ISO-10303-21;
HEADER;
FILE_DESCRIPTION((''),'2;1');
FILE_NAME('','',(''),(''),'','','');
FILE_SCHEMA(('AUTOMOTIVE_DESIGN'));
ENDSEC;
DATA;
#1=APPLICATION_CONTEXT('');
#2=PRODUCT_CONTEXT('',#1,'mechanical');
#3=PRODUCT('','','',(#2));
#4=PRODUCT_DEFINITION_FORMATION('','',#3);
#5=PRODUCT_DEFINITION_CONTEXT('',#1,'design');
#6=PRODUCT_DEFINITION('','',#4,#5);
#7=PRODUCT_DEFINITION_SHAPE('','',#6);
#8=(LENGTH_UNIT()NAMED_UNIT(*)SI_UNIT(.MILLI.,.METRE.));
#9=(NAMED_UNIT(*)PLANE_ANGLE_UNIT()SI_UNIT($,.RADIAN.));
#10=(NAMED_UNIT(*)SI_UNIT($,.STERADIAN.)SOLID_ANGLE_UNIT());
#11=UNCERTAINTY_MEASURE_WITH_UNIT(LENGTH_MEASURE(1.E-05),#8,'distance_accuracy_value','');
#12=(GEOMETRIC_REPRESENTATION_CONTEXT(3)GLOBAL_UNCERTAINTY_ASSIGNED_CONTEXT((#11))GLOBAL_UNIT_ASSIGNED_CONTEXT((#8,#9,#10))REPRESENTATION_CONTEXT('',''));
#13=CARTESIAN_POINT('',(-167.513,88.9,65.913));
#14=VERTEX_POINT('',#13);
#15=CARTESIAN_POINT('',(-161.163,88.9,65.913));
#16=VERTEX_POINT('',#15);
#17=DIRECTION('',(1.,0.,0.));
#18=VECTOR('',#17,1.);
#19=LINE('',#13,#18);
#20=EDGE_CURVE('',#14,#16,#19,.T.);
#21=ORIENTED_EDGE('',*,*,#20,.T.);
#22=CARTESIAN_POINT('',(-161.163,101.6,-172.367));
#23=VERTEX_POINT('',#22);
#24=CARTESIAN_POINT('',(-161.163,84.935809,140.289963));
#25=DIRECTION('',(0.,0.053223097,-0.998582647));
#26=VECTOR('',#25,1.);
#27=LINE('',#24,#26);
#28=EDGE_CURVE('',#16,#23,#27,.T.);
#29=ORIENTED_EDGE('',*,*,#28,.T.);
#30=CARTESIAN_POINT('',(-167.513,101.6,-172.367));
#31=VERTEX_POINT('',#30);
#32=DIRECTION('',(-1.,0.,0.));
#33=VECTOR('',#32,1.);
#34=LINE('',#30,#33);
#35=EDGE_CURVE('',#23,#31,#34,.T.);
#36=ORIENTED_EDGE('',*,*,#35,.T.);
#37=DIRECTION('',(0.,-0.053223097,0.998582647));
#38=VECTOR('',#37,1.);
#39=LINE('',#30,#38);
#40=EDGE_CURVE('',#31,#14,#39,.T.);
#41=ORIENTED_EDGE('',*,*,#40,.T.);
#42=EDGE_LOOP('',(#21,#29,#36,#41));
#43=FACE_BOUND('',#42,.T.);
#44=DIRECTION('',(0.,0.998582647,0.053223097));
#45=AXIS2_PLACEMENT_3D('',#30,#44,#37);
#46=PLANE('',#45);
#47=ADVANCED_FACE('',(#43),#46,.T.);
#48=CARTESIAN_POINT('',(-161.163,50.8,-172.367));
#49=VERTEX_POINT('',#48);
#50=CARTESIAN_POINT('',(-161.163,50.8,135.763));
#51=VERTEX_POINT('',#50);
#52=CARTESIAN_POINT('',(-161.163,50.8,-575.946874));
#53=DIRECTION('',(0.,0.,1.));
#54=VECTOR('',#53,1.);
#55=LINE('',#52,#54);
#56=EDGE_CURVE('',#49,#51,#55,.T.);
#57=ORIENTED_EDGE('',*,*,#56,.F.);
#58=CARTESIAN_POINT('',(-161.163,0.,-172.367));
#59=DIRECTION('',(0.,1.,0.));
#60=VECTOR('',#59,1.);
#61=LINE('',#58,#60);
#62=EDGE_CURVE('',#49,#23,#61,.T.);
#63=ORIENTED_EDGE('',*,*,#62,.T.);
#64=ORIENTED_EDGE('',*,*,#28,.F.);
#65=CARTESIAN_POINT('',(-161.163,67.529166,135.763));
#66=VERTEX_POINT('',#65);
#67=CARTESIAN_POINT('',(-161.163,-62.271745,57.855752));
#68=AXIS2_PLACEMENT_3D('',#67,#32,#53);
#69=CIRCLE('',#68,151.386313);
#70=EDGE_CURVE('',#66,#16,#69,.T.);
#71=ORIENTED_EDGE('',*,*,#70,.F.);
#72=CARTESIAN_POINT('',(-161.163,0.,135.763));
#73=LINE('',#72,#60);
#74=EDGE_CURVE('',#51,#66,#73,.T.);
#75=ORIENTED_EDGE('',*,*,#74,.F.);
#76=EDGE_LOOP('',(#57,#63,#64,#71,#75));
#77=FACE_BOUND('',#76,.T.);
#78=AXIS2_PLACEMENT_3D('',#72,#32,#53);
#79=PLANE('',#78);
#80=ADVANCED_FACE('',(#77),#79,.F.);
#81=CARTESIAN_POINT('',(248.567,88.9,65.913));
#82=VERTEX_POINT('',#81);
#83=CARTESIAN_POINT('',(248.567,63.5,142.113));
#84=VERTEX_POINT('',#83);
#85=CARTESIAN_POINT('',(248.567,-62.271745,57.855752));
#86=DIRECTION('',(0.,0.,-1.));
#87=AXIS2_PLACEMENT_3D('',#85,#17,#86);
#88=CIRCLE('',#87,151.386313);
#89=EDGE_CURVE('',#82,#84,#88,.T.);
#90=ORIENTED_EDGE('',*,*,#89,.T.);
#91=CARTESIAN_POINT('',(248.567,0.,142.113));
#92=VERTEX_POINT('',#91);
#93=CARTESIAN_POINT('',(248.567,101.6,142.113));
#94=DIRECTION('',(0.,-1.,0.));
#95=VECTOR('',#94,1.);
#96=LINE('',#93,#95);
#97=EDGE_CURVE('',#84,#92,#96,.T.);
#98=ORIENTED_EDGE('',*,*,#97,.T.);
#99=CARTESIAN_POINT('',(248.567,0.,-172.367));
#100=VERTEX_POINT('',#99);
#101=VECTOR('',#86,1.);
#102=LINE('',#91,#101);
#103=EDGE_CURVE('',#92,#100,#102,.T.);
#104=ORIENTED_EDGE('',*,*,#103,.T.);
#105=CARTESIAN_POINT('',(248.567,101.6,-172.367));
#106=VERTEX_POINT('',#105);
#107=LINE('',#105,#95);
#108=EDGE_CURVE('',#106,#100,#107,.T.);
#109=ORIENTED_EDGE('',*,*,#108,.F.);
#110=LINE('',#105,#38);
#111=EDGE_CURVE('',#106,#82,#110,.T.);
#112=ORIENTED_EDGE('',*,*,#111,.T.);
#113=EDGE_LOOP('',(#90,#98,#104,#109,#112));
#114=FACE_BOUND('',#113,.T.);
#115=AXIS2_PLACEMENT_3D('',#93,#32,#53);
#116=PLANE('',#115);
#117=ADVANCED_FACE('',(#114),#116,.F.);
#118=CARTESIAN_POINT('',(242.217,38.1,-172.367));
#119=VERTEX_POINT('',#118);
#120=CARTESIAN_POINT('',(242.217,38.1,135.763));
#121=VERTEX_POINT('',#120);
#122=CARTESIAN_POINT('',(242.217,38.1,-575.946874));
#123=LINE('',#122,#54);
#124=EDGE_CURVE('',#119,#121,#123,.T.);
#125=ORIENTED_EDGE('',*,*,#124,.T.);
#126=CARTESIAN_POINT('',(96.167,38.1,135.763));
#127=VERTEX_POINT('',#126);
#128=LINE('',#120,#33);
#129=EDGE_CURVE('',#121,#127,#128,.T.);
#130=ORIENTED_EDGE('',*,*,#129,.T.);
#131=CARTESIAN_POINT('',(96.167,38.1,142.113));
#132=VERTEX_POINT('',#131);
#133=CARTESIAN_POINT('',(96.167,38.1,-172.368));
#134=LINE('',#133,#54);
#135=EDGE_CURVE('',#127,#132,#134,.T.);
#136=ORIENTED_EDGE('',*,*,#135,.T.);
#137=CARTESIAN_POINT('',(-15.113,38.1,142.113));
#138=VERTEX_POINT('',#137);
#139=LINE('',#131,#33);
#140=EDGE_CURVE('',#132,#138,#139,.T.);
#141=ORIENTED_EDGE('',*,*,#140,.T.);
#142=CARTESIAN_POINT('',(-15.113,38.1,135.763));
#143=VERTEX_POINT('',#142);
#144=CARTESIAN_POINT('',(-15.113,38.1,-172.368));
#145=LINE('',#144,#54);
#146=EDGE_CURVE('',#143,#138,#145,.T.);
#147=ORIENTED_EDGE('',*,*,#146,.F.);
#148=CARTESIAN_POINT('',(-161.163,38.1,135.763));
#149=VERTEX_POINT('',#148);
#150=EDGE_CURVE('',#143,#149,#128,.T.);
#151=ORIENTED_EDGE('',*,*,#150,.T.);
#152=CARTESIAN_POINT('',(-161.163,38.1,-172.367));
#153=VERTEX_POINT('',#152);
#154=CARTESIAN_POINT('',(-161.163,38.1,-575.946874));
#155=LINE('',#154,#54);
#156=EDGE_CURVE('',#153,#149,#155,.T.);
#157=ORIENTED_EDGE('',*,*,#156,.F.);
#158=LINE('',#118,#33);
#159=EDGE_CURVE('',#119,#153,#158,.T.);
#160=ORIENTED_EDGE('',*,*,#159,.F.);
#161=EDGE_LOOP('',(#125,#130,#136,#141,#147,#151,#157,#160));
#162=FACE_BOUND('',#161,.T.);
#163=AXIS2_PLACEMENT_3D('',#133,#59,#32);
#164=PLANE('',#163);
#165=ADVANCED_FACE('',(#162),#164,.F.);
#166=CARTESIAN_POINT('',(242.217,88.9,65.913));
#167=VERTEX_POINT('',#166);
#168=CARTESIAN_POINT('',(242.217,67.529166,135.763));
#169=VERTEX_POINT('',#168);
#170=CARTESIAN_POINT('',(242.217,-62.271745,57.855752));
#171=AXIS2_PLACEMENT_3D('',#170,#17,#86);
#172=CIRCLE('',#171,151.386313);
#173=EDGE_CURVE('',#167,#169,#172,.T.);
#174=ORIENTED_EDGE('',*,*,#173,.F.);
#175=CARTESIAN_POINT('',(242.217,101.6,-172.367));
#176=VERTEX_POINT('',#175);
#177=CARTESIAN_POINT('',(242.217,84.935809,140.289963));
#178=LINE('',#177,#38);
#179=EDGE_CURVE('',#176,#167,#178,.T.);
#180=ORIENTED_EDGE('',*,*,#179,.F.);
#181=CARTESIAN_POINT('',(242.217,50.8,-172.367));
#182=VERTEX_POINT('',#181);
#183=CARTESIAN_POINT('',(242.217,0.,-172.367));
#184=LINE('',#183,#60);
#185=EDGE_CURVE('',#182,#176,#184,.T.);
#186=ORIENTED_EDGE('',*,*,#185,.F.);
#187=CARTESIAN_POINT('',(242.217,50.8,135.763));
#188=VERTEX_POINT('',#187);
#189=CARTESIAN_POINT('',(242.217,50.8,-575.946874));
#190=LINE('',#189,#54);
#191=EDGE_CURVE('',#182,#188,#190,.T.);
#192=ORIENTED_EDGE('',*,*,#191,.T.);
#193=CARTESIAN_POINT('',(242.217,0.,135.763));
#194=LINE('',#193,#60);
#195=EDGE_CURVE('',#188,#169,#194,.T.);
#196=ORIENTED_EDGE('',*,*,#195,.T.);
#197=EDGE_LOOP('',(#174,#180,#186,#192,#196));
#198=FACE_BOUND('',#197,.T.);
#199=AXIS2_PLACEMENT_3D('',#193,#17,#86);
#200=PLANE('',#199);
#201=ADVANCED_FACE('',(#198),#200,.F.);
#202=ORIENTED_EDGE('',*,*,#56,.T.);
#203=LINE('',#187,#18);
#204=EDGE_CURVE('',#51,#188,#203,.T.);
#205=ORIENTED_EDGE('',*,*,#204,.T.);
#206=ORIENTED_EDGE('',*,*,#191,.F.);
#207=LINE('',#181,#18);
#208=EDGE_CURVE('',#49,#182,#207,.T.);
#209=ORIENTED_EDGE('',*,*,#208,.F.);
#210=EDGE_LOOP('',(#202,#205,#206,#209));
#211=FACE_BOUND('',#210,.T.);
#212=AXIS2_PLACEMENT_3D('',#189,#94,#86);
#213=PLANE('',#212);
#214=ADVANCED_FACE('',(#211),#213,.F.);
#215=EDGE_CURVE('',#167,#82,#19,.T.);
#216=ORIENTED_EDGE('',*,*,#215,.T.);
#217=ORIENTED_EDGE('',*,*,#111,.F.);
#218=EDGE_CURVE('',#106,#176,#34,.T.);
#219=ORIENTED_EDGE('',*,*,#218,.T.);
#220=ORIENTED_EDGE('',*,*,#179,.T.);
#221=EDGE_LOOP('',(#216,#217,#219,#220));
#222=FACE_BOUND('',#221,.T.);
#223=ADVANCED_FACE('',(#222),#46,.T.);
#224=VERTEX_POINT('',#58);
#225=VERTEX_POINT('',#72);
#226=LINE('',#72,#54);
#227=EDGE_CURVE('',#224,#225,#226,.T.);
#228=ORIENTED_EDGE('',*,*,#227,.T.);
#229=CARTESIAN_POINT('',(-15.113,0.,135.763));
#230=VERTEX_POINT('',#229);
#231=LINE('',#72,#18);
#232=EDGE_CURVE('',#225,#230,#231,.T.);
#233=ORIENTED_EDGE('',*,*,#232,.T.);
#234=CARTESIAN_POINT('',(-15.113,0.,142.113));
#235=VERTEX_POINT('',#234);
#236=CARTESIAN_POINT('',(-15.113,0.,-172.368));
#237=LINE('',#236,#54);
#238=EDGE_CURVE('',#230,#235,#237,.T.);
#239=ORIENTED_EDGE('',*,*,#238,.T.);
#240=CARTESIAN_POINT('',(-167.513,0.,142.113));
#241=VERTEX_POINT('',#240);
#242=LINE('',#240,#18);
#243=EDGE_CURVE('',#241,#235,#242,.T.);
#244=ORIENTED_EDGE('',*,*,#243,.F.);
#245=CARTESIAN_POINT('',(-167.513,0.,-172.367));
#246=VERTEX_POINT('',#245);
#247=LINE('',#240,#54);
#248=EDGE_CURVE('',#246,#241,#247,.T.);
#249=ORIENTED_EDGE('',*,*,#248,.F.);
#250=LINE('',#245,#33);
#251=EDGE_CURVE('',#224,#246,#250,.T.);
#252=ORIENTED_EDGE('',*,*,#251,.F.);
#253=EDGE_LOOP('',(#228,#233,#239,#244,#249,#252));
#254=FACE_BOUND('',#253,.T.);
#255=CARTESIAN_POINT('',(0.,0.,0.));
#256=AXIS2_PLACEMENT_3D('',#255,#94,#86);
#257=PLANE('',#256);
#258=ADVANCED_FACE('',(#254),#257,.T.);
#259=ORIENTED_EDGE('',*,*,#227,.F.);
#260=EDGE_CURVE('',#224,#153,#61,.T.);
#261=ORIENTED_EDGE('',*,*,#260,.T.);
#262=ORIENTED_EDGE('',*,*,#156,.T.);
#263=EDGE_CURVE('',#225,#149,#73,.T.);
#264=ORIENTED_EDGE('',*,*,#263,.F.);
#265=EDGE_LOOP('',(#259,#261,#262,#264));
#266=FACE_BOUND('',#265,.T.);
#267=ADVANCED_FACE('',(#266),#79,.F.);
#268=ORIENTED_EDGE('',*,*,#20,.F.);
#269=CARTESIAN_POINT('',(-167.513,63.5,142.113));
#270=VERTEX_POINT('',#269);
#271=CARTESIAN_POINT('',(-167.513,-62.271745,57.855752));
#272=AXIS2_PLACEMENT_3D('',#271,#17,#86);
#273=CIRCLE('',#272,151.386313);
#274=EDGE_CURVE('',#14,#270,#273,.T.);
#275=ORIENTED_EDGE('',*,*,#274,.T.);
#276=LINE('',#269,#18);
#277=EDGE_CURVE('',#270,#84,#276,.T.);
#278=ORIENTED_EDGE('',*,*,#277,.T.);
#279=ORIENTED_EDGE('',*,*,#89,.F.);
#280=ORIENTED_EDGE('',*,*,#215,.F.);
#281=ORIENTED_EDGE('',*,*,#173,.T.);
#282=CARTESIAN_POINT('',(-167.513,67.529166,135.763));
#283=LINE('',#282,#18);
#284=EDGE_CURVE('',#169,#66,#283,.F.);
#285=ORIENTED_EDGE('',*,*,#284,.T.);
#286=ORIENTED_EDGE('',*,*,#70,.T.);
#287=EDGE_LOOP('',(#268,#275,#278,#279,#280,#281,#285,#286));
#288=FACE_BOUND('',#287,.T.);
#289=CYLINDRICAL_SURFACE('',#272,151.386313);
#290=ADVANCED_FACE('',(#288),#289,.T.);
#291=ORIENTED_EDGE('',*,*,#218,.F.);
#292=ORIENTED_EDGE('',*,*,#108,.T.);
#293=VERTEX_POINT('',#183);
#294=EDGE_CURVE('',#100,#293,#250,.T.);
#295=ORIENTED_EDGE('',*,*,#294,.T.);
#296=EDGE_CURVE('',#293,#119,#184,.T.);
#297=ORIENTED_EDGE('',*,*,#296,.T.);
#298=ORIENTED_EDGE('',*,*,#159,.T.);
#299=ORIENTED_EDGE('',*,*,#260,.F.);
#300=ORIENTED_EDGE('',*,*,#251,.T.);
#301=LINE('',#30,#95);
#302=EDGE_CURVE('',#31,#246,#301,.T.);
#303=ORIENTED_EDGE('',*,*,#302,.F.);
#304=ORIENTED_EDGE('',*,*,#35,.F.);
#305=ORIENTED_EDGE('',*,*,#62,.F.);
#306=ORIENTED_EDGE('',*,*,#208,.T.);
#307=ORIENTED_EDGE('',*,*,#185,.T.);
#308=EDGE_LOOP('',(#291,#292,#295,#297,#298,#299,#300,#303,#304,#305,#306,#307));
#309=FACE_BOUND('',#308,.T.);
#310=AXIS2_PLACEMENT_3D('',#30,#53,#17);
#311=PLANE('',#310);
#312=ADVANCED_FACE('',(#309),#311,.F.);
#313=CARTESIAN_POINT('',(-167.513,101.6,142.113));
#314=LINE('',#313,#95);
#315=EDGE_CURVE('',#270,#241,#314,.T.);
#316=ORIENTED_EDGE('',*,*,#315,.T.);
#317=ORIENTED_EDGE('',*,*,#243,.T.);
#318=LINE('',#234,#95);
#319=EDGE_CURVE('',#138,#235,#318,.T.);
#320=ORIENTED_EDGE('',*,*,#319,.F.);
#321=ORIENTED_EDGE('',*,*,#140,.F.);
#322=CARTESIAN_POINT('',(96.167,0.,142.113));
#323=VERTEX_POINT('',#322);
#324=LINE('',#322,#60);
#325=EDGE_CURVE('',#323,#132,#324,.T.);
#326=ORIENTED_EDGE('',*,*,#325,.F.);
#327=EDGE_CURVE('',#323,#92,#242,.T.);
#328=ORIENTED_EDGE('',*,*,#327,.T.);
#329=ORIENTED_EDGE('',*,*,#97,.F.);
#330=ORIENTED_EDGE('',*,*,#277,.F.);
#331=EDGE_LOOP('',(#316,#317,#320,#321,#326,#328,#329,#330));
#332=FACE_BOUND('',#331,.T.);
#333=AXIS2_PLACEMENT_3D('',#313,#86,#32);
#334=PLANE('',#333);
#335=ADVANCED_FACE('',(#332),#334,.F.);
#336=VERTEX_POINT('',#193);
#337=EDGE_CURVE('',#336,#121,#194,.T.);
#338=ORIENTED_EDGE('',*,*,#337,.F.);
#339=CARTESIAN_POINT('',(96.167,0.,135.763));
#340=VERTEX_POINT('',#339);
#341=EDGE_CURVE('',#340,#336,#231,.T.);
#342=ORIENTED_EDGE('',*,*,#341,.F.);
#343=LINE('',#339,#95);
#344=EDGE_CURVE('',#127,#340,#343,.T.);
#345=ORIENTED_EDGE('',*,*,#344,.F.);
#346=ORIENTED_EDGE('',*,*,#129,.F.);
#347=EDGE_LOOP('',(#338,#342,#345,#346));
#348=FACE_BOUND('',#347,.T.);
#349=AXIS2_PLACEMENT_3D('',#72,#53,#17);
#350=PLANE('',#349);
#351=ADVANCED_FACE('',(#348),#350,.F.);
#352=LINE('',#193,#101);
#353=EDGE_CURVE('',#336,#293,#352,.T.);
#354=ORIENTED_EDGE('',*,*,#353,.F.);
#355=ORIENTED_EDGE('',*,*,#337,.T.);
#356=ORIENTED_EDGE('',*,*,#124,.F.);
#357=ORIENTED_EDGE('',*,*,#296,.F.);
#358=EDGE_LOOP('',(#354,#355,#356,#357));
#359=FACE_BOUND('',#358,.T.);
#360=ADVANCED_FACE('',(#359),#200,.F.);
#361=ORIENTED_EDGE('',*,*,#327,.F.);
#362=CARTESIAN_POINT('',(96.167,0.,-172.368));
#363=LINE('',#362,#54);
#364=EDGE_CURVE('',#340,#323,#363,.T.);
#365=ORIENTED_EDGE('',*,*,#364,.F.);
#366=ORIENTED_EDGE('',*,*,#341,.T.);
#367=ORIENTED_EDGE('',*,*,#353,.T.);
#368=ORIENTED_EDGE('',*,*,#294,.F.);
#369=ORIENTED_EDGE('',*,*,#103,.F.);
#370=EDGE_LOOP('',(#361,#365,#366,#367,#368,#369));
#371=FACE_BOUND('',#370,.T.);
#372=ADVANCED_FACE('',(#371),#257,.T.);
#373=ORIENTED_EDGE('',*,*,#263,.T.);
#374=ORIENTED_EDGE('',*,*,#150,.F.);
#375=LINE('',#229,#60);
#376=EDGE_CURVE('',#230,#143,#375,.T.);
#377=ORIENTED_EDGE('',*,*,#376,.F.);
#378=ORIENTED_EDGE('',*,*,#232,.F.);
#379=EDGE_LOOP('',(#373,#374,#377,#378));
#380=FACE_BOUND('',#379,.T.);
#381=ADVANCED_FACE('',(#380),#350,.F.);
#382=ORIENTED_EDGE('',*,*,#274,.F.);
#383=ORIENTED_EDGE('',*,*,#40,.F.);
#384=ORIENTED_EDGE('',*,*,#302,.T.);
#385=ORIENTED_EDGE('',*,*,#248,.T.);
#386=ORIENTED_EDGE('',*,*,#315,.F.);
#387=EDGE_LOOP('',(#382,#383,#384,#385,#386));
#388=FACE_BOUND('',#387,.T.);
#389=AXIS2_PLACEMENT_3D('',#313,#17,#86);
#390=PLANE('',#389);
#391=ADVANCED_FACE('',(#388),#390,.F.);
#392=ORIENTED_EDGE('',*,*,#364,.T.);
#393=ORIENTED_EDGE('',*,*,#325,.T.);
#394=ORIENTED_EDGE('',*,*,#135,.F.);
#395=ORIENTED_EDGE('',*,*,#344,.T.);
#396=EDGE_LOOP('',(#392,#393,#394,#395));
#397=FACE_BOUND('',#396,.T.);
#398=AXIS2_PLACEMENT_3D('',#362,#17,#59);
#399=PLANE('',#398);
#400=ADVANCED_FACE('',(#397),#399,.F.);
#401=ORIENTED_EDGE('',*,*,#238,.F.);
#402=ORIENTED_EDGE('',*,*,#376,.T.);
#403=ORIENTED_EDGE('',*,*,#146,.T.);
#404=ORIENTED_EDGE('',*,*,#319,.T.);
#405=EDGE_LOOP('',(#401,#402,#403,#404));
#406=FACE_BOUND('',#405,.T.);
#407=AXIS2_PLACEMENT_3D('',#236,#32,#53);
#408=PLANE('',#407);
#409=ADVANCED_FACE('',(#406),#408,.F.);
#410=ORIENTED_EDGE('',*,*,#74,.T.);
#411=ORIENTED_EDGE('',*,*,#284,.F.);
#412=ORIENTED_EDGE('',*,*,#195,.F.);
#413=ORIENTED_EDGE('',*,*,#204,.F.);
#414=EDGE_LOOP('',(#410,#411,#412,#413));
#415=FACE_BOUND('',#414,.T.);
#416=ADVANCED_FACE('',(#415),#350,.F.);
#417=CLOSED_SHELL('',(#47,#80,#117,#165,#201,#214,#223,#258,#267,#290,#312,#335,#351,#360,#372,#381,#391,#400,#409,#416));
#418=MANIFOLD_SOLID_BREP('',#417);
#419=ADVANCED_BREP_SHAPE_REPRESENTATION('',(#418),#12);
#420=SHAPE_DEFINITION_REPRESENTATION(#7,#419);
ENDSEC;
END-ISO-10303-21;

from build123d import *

# Parameters (mm, degrees)
SKETCH1_W           = 416.08
SKETCH1_H           = 314.48
BOSS_EXTRUDE2_DEPTH = 101.6
SKETCH2_W           = 403.38
SKETCH2_H           = 308.13
CUT_EXTRUDE1_DEPTH  = 320.090106675
CUT_EXTRUDE2_DEPTH  = 462.687674829
CUT_EXTRUDE3_REACH  = 415.528
SKETCH4_W           = 111.28
SKETCH4_H           = 38.1
SKETCH5_W           = 403.38
SKETCH5_H           = 12.7
BOSS_EXTRUDE3_DEPTH = 308.13


with BuildPart() as part:
    # Sketch1 → Boss-Extrude2 (new body)
    with BuildSketch(Plane(origin=(0, 0, 0), x_dir=(1, 0, 0), z_dir=(0, 1, 0))):
        with Locations((40.527, 15.127)):
            Rectangle(SKETCH1_W, SKETCH1_H)
    extrude(amount=BOSS_EXTRUDE2_DEPTH)

    # Sketch2 → Cut-Extrude1 (cut, through all)
    with BuildSketch(Plane(origin=(0, 101.6, 0), x_dir=(1, 0, 0), z_dir=(0, 1, 0))):
        with Locations((40.527, 18.302)):
            Rectangle(SKETCH2_W, SKETCH2_H)
    extrude(amount=-CUT_EXTRUDE1_DEPTH, mode=Mode.SUBTRACT)

    # Sketch3 → Cut-Extrude2 (cut, through all)
    with BuildSketch(Plane(origin=(248.567, 0, 0), x_dir=(0, 0, -1), z_dir=(1, 0, 0))):
        with BuildLine():
            Line((-142.113, 63.5), (-142.113, 101.6))
            Line((-142.113, 101.6), (172.367, 101.6))
            Line((172.367, 101.6), (-65.913, 88.9))
            ThreePointArc((-65.913, 88.9), (-105.728307199, 81.345921598), (-142.113, 63.5))
        make_face()
    extrude(amount=-CUT_EXTRUDE2_DEPTH, mode=Mode.SUBTRACT)

    # Sketch4 → Cut-Extrude3 (cut, up to next)
    with BuildSketch(Plane.XY.offset(142.113), mode=Mode.PRIVATE) as cut_extrude3_sk1:
        with Locations((40.527, 19.05)):
            Rectangle(SKETCH4_W, SKETCH4_H)
    cut_extrude3_tool1 = extrude(cut_extrude3_sk1.sketch, amount=-CUT_EXTRUDE3_REACH, mode=Mode.PRIVATE) & part.part
    add(cut_extrude3_tool1.solids().sort_by_distance((40.527, 19.05, 142.113))[0], mode=Mode.SUBTRACT)

    # Sketch5 → Boss-Extrude3 (add)
    with BuildSketch(Plane(origin=(0, 0, 135.763), x_dir=(-1, 0, 0), z_dir=(0, 0, -1))):
        with Locations((-40.527, 44.45)):
            Rectangle(SKETCH5_W, SKETCH5_H)
    extrude(amount=BOSS_EXTRUDE3_DEPTH)


solid = part.part
